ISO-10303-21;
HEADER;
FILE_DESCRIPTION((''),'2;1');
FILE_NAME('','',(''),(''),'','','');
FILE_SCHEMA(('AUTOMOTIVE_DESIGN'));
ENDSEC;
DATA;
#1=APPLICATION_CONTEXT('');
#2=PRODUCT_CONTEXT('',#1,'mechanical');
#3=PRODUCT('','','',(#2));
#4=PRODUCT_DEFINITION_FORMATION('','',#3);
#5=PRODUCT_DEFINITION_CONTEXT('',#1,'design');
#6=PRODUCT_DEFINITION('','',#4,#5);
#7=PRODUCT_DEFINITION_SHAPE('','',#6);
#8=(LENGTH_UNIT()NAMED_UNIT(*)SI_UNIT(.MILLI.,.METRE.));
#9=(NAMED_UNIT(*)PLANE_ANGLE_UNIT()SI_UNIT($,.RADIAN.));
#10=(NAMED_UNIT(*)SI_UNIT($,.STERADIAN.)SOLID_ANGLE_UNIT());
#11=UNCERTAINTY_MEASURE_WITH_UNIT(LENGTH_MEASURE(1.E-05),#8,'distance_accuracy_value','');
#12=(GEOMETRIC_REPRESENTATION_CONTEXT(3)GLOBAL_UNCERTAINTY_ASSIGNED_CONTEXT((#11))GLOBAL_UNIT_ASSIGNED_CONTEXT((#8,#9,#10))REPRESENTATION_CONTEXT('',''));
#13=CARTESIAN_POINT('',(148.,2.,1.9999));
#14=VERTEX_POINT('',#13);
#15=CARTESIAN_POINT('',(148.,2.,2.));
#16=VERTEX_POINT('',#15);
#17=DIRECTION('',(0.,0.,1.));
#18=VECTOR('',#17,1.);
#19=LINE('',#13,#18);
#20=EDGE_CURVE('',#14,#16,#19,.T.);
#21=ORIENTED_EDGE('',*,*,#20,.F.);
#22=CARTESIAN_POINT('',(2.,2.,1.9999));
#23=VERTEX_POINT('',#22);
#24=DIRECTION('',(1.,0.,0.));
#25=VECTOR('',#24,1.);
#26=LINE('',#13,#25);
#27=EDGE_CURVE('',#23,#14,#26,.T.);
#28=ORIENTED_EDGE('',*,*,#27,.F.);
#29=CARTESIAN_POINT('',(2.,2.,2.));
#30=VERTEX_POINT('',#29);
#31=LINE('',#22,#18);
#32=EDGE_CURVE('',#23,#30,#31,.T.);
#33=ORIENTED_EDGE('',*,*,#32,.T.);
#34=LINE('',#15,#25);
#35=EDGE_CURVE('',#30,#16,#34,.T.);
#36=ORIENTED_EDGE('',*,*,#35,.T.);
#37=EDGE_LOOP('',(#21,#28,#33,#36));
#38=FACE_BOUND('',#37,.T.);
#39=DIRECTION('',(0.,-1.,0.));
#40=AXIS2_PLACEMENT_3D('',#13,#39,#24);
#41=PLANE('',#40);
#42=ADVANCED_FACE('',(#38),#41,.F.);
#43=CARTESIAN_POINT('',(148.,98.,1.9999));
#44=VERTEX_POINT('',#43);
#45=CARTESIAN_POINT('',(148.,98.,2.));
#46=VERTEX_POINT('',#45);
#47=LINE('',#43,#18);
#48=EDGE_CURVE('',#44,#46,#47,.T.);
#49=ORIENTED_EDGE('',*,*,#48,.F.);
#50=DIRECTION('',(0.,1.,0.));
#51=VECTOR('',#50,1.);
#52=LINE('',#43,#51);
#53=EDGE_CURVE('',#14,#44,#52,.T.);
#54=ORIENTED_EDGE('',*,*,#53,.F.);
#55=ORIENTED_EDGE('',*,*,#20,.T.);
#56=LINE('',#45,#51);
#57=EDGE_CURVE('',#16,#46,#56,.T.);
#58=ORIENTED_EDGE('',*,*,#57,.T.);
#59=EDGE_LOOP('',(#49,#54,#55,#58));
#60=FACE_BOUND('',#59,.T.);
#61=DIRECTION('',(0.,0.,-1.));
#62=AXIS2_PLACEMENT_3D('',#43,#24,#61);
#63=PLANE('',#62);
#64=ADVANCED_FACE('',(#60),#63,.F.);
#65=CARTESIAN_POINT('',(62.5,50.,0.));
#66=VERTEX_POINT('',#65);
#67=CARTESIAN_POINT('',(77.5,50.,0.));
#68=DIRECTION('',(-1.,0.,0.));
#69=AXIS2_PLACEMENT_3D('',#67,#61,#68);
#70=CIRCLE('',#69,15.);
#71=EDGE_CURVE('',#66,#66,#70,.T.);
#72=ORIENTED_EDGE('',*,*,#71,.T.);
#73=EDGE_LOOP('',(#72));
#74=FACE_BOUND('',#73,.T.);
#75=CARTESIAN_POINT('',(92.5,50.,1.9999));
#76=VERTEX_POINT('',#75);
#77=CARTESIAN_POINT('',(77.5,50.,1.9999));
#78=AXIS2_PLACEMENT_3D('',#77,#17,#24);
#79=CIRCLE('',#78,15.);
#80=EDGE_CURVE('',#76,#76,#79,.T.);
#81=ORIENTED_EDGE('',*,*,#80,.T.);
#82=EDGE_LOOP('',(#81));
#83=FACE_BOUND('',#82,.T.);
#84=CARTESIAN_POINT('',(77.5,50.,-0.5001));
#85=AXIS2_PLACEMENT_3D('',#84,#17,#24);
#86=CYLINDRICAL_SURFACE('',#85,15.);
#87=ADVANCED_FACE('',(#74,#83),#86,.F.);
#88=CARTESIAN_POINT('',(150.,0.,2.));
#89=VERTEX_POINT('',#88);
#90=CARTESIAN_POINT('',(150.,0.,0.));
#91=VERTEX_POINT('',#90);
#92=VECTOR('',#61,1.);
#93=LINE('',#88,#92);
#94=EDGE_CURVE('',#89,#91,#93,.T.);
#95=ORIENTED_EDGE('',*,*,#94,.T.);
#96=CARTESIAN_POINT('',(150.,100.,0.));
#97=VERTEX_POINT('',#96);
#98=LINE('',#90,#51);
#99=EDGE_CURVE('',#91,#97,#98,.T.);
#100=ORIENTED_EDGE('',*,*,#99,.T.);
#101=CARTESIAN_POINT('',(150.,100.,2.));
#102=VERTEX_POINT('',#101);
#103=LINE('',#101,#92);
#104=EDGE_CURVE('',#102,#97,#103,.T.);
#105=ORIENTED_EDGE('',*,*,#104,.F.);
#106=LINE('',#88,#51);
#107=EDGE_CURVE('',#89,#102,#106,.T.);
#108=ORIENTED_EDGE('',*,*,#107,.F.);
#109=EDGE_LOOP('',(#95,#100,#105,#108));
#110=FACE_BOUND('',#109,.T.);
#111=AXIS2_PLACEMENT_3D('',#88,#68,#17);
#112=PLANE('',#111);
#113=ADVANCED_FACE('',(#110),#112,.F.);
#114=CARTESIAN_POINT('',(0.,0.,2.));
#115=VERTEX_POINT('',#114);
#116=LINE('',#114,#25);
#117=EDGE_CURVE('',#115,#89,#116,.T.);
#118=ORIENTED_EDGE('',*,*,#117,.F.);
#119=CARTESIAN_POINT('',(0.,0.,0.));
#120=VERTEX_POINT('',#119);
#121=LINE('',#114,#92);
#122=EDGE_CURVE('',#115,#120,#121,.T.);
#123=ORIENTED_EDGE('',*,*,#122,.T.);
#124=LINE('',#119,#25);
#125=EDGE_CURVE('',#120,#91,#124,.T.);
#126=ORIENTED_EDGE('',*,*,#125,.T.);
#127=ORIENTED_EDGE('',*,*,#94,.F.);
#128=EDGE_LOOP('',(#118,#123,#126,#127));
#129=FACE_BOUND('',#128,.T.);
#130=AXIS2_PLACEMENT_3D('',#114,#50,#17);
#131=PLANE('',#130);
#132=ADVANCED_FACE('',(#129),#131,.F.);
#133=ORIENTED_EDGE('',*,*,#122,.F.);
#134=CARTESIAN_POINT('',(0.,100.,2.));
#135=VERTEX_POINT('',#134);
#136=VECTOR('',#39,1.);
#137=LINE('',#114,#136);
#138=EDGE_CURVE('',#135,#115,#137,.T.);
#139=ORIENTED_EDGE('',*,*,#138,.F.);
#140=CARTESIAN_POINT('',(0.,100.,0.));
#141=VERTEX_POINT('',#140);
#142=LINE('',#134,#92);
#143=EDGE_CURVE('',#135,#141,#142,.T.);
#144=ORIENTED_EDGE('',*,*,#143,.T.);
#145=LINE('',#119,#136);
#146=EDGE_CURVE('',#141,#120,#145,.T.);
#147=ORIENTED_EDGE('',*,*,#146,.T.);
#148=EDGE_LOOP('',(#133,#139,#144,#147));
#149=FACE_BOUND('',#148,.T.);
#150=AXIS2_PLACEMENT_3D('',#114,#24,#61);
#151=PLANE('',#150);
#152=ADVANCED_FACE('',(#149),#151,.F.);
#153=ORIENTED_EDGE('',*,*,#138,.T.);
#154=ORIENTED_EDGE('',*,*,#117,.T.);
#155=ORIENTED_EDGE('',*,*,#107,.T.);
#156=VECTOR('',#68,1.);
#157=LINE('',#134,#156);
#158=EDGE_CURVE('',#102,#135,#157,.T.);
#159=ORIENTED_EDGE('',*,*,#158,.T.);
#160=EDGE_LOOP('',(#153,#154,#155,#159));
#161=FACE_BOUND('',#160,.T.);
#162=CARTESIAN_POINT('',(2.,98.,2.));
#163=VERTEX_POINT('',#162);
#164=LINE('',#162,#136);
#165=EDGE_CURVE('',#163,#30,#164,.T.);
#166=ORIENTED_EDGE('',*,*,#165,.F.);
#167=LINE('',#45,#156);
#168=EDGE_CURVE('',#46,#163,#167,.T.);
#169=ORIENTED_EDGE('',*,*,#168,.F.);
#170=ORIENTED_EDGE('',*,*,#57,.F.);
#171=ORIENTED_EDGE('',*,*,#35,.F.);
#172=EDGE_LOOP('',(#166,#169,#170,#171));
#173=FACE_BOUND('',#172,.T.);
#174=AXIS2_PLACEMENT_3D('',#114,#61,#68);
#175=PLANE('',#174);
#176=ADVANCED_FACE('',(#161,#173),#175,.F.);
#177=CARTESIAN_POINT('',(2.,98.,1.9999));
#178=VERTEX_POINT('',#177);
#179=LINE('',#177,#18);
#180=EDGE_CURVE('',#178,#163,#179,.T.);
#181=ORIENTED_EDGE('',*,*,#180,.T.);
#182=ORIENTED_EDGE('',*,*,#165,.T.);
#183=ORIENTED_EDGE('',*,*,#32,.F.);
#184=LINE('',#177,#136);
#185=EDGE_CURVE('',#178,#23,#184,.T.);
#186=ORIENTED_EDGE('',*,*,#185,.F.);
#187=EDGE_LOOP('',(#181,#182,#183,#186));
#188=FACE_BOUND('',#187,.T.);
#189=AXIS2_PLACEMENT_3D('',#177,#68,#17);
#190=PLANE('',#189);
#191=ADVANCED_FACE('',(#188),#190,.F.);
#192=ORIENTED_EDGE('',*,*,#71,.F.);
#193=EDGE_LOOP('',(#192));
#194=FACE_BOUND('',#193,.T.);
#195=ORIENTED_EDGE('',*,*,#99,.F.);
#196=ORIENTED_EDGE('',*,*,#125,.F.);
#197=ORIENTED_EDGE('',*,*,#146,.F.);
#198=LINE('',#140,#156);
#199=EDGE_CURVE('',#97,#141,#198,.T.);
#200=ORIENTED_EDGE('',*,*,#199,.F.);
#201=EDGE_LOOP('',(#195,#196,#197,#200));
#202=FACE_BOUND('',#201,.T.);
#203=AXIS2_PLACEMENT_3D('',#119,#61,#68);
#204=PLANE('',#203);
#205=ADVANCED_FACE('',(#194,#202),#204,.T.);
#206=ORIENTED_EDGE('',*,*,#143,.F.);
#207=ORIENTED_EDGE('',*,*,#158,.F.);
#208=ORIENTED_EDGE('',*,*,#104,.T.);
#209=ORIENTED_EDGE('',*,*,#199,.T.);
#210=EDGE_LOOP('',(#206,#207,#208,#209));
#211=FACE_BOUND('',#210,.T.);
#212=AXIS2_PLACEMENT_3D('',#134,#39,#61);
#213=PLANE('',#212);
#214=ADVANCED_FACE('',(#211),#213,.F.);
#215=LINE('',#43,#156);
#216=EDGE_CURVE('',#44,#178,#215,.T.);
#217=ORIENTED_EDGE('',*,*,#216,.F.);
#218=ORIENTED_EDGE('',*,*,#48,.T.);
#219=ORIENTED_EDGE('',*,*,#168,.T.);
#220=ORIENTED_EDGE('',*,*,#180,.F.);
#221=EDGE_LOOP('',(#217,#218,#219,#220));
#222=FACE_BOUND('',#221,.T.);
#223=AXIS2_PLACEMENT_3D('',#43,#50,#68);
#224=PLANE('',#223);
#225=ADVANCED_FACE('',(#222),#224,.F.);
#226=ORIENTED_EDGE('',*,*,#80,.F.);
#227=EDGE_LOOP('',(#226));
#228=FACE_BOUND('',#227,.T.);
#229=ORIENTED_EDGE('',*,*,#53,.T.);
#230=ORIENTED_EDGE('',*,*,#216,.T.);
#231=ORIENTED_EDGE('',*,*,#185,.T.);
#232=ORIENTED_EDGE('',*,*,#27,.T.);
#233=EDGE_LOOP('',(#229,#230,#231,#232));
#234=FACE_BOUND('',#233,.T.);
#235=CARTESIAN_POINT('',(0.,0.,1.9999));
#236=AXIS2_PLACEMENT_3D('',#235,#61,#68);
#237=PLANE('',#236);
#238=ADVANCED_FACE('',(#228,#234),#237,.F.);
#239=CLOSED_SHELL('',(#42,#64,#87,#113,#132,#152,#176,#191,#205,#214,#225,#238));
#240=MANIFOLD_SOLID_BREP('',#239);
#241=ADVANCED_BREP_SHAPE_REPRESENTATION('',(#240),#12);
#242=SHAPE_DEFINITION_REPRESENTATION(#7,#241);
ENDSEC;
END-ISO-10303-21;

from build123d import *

# Parameters (mm, degrees)
ESQUISSE2_W             = 150
ESQUISSE2_H             = 100
BOSS_EXTRU_1_DEPTH      = 2
ESQUISSE3_W             = 146
ESQUISSE3_H             = 96
ENL_V_MAT_EXTRU_1_DEPTH = 0.0001
ESQUISSE4_R             = 15
ENL_V_MAT_EXTRU_2_DEPTH = 2.5


with BuildPart() as part:
    # Esquisse2 → Boss.-Extru.1 (new body)
    with BuildSketch(Plane.XY):
        with Locations((75, 50)):
            Rectangle(ESQUISSE2_W, ESQUISSE2_H)
    extrude(amount=BOSS_EXTRU_1_DEPTH)

    # Esquisse3 → Enlèv. mat.-Extru.1 (cut)
    with BuildSketch(Plane.XY.offset(2)):
        with Locations((75, 50)):
            Rectangle(ESQUISSE3_W, ESQUISSE3_H)
    extrude(amount=-ENL_V_MAT_EXTRU_1_DEPTH, mode=Mode.SUBTRACT)

    # Esquisse4 → Enlèv. mat.-Extru.2 (cut)
    with BuildSketch(Plane.XY.offset(1.9999)):
        with Locations((77.5, 50)):
            Circle(ESQUISSE4_R)
    extrude(amount=-ENL_V_MAT_EXTRU_2_DEPTH, mode=Mode.SUBTRACT)


solid = part.part
